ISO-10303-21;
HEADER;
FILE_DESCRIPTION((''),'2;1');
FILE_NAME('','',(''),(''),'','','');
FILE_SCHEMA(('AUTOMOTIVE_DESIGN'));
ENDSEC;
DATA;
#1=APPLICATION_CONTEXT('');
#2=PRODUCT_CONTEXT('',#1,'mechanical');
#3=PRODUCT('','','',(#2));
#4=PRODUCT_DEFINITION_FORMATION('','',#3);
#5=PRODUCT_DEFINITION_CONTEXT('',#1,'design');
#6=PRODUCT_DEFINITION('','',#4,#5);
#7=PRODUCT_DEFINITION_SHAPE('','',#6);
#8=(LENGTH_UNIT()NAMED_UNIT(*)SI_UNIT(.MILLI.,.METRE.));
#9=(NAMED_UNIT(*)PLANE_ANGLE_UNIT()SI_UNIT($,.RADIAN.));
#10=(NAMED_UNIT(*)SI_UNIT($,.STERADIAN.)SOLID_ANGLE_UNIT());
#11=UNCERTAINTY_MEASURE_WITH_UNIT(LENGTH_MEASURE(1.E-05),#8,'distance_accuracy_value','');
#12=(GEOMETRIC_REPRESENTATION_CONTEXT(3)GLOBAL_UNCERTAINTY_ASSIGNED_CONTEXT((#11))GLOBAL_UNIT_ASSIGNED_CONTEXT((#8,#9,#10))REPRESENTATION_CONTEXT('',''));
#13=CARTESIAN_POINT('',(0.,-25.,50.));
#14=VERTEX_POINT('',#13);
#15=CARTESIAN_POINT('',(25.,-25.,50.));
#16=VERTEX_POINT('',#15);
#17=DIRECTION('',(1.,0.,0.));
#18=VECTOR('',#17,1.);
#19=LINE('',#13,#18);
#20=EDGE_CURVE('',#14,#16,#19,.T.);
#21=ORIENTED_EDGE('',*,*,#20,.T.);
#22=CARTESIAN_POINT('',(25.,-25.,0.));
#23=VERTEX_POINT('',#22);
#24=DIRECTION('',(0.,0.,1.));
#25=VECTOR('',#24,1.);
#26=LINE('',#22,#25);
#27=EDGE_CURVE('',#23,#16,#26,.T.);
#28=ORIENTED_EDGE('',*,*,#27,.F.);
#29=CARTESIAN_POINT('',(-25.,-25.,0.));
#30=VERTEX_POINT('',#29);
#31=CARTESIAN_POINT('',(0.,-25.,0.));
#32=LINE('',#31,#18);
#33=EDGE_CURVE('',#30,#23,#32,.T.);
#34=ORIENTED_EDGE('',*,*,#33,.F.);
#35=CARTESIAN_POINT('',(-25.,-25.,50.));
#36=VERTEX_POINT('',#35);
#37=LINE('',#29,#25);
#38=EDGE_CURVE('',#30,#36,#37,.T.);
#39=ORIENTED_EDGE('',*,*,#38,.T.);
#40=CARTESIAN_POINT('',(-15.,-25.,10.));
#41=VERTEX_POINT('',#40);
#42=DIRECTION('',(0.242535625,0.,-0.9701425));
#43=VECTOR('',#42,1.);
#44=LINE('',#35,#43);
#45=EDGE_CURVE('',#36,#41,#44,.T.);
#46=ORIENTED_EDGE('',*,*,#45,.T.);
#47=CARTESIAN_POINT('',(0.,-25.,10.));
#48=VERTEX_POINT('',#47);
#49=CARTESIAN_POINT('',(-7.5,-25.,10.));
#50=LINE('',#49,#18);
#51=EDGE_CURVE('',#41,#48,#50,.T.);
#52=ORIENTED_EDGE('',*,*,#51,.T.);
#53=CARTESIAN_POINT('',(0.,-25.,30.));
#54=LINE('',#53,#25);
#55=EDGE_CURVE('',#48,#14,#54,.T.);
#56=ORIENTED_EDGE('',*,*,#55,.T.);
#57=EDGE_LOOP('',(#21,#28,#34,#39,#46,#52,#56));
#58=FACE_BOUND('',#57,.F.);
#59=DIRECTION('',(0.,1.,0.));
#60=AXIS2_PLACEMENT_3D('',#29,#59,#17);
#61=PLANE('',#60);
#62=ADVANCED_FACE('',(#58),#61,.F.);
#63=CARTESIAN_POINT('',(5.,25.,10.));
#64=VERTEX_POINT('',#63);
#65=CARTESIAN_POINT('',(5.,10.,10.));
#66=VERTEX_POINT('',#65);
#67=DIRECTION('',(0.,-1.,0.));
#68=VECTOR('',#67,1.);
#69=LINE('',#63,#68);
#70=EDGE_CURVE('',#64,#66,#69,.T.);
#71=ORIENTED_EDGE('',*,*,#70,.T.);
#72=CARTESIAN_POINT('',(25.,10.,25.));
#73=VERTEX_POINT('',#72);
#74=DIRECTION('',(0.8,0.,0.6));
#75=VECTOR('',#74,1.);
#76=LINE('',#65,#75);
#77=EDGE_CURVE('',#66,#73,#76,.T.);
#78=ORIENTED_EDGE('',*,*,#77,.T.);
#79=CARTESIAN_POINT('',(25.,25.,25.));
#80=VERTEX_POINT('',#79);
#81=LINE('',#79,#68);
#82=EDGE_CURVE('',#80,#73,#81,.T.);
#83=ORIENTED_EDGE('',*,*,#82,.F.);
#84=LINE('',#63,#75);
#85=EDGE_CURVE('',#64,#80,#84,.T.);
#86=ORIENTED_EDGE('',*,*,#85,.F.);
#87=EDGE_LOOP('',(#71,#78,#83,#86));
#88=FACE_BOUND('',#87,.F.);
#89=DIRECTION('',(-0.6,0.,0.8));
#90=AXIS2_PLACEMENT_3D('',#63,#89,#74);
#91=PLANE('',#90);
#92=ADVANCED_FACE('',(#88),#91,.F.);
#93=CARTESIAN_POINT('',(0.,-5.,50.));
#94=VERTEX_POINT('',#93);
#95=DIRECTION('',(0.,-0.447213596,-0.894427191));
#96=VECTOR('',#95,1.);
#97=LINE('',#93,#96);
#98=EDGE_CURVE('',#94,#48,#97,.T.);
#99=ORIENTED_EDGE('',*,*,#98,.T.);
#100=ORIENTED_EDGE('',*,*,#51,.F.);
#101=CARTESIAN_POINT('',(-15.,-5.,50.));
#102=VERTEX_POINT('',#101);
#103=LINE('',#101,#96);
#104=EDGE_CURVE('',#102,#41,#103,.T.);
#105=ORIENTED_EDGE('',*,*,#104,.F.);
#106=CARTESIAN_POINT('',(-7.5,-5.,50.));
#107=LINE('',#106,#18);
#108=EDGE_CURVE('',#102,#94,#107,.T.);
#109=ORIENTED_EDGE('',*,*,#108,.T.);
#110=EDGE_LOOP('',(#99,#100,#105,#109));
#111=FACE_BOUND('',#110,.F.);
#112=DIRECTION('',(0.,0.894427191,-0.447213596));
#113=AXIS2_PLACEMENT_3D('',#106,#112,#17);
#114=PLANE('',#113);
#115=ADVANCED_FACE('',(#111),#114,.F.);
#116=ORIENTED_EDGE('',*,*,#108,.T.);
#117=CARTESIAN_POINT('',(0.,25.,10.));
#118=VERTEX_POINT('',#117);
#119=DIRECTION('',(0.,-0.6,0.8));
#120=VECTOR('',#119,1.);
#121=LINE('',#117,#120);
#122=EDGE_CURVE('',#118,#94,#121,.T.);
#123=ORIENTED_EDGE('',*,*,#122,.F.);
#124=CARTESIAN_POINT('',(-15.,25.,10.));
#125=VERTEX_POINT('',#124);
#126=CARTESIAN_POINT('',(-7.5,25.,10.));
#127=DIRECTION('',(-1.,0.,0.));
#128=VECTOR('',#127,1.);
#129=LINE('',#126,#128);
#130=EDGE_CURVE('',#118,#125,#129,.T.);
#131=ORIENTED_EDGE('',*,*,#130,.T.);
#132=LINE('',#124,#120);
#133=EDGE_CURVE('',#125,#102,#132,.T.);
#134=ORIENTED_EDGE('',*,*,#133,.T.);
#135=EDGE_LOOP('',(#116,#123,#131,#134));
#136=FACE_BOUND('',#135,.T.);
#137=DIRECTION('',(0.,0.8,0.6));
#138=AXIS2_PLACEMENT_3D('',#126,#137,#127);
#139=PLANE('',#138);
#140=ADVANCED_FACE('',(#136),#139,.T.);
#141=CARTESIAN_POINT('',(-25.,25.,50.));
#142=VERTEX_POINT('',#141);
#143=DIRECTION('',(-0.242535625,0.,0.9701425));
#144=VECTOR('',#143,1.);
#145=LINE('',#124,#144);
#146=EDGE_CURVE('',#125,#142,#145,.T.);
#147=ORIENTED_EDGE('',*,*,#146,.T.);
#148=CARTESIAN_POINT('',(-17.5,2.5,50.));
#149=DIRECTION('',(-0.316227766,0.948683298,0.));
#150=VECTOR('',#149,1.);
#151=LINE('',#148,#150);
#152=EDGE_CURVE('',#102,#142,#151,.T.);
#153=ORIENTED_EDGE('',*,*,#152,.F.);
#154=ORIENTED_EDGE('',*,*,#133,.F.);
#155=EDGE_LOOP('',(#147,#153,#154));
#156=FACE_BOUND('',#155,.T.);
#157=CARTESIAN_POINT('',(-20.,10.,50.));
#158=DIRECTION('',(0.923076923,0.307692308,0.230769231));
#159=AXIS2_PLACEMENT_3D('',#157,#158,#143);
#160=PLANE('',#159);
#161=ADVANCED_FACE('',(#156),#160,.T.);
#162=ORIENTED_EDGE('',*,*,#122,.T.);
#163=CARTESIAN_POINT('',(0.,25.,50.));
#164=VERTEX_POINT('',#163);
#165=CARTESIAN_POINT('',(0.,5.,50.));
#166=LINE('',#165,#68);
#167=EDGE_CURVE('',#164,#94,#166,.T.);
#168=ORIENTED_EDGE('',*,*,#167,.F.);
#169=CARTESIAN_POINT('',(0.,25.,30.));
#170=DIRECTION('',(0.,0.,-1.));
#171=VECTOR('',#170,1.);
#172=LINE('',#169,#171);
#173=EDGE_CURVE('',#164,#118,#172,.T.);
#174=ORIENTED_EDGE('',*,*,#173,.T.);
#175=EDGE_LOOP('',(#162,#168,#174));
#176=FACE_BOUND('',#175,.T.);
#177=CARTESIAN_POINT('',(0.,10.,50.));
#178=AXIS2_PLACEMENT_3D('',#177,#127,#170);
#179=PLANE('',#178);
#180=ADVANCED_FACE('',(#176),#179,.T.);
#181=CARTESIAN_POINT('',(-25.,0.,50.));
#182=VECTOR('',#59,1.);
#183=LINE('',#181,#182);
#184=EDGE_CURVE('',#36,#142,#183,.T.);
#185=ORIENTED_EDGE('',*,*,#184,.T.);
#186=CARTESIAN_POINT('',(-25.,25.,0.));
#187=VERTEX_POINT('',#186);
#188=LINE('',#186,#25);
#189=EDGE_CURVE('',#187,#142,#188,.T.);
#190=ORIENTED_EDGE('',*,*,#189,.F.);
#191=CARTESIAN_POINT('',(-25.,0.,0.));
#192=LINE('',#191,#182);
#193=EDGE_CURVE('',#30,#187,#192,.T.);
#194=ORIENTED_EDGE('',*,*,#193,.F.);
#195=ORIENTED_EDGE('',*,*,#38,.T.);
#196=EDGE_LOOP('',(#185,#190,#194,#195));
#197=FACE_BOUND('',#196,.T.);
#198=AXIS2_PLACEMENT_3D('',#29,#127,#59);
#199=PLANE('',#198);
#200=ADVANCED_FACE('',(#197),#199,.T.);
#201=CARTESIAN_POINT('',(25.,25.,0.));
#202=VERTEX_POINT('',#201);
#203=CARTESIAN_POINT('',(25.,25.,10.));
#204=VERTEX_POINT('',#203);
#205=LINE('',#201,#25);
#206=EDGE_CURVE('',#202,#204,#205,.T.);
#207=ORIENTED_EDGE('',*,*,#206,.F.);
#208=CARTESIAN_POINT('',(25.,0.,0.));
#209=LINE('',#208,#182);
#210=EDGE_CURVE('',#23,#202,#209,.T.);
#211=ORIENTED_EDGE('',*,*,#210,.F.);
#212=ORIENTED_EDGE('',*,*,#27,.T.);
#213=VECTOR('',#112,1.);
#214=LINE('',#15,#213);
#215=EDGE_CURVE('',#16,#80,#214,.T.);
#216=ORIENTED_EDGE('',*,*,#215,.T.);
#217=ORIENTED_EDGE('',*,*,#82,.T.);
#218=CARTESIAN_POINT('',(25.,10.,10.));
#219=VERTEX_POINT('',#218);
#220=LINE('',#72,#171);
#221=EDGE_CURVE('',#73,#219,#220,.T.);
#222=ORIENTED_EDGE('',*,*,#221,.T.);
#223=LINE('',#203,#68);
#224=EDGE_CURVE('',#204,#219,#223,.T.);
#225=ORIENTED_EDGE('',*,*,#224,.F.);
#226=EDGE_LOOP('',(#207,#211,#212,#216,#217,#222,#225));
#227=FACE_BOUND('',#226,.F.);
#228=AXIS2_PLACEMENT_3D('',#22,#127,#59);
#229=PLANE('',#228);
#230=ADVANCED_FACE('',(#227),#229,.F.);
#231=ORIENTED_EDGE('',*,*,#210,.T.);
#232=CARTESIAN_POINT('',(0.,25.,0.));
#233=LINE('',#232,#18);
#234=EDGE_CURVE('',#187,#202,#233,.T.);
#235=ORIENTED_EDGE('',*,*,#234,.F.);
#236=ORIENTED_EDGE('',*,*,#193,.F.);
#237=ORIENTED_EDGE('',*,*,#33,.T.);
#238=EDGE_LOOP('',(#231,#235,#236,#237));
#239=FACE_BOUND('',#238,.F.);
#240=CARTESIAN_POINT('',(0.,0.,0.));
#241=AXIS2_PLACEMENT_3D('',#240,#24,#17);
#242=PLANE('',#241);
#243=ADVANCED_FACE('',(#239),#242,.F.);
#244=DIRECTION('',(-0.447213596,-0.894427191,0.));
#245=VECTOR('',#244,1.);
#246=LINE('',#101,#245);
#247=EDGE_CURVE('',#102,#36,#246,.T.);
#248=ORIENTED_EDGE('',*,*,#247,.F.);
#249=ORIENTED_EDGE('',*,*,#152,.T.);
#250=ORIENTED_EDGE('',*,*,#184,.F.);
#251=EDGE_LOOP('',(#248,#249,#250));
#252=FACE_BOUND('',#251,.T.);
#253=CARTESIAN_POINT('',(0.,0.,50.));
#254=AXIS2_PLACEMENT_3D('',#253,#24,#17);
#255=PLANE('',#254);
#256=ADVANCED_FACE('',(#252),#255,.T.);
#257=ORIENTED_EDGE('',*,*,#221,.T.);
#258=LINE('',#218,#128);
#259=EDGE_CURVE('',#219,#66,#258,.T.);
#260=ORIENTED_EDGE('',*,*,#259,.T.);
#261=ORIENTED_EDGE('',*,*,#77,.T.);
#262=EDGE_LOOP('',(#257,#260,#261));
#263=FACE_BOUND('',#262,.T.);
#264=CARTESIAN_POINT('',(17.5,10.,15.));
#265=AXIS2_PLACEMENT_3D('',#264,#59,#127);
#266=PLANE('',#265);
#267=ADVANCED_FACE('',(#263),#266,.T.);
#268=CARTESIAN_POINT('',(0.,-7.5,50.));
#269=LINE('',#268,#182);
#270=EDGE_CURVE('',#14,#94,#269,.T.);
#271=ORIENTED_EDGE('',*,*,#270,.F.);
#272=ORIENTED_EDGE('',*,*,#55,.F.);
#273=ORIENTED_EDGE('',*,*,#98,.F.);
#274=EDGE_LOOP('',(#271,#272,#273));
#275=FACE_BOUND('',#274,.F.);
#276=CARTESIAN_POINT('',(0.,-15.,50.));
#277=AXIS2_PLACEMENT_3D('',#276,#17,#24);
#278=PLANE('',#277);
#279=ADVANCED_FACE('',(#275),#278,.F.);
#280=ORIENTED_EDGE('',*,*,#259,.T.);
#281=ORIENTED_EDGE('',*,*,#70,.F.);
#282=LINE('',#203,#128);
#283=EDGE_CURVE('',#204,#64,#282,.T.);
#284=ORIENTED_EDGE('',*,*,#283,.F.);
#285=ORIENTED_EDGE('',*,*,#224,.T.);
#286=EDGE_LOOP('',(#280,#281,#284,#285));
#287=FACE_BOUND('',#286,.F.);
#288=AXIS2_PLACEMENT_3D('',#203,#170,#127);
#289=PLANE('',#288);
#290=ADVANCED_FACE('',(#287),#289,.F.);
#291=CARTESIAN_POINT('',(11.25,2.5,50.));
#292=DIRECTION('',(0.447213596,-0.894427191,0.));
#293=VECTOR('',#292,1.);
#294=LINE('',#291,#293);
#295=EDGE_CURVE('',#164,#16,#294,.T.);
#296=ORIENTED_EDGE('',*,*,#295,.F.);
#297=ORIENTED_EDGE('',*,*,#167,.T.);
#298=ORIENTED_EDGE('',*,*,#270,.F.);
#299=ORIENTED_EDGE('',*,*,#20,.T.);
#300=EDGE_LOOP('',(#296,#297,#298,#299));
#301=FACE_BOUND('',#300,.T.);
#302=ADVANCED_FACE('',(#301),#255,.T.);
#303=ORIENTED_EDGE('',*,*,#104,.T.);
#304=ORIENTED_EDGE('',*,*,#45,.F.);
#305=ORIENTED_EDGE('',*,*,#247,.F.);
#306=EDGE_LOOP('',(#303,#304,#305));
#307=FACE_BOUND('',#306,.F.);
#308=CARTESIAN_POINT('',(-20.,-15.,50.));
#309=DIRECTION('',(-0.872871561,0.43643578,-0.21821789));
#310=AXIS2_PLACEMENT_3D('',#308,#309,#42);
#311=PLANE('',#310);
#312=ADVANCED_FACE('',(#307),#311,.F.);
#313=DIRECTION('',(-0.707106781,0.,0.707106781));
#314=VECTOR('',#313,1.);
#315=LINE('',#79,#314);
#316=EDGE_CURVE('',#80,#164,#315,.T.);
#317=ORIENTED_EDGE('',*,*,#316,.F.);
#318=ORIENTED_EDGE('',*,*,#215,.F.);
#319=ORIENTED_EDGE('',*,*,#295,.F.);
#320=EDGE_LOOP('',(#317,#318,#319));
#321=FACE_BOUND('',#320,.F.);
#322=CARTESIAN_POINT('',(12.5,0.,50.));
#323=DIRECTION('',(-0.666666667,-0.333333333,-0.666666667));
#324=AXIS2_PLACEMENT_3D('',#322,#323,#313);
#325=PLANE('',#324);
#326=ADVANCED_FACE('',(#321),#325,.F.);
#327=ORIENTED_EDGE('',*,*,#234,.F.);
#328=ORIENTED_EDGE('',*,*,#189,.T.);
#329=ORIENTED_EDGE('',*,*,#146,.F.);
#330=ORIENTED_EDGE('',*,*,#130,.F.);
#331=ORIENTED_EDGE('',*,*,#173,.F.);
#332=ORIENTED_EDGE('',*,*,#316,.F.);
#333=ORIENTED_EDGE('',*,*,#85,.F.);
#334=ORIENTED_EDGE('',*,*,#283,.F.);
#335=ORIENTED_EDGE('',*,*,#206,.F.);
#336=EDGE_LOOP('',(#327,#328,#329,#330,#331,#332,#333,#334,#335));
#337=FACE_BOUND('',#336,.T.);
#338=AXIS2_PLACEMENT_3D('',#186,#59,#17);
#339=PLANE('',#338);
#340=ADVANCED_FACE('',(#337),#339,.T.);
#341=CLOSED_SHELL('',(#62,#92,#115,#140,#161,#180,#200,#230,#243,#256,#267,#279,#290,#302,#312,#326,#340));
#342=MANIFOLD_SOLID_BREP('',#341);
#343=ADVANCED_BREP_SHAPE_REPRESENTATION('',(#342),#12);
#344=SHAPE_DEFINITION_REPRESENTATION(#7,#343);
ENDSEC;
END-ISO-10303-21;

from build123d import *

# Parameters (mm, degrees)
F0_W      = 50
F0_H      = 50
F1_DEPTH  = 50
F5_W      = 15
F5_H      = 40
F8_W      = 15
F8_H      = 40
F11_DEPTH = 15


with BuildPart() as f1:
    # F0 (on Top) → F1 (new body)
    with BuildSketch(Plane.XY):
        Rectangle(F0_W, F0_H)
    extrude(amount=F1_DEPTH)

    # F6: sweep along a path in F4
    with BuildLine(Plane(origin=(-25, 0, 0), x_dir=(0, -1, 0), z_dir=(-1, 0, 0))) as f6_path:
        Line((5, 50), (25, 10))
    # F5 (on face) → F6 (sweep, cut)
    with BuildSketch(Plane.XZ.offset(25)):
        with Locations((-7.5, 30)):
            Rectangle(F5_W, F5_H)
    sweep(path=f6_path.line, mode=Mode.SUBTRACT)

    # F9: sweep along a path in F7
    with BuildLine(Plane(origin=(-25, 0, 0), x_dir=(0, -1, 0), z_dir=(-1, 0, 0))) as f9_path:
        Line((-25, 10), (5, 50))
    # F8 (on face) → F9 (sweep, cut)
    with BuildSketch(Plane(origin=(0, 25, 0), x_dir=(-1, 0, 0), z_dir=(0, 1, 0))):
        with Locations((7.5, 30)):
            Rectangle(F8_W, F8_H)
    sweep(path=f9_path.line, mode=Mode.SUBTRACT)

    # F10 (on face) → F11 (cut)
    with BuildSketch(Plane(origin=(0, 25, 0), x_dir=(-1, 0, 0), z_dir=(0, 1, 0))):
        Polygon((-5, 10), (-25, 25), (-25, 10), align=None)
    extrude(amount=-F11_DEPTH, mode=Mode.SUBTRACT)

    # F14: sweep along a path in F13
    with BuildLine(Plane(origin=(-25, 0, 0), x_dir=(0, -1, 0), z_dir=(-1, 0, 0))) as f14_path:
        Line((5, 50), (25, 10))
    # F12 (on face) → F14 (sweep, cut)
    with BuildSketch(Plane.XZ.offset(25)):
        Polygon((-15, 50), (-25, 50), (-15, 10), align=None)
    sweep(path=f14_path.line, mode=Mode.SUBTRACT)

    # F16: sweep along a path in F7
    with BuildLine(Plane(origin=(-25, 0, 0), x_dir=(0, -1, 0), z_dir=(-1, 0, 0))) as f16_path:
        Line((-25, 10), (5, 50))
    # F15 (on face) → F16 (sweep, cut)
    with BuildSketch(Plane(origin=(0, 25, 0), x_dir=(-1, 0, 0), z_dir=(0, 1, 0))):
        Polygon((25, 50), (15, 50), (15, 10), align=None)
    sweep(path=f16_path.line, mode=Mode.SUBTRACT)

    # F19: sweep along a path in F17
    with BuildLine(Plane.YZ.offset(25)) as f19_path:
        Line((-25, 50), (25, 25))
    # F18 (on face) → F19 (sweep, cut)
    with BuildSketch(Plane(origin=(0, 25, 0), x_dir=(-1, 0, 0), z_dir=(0, 1, 0))):
        Polygon((0, 50), (-25, 50), (-25, 25), align=None)
    sweep(path=f19_path.line, mode=Mode.SUBTRACT)


solid = f1.part
